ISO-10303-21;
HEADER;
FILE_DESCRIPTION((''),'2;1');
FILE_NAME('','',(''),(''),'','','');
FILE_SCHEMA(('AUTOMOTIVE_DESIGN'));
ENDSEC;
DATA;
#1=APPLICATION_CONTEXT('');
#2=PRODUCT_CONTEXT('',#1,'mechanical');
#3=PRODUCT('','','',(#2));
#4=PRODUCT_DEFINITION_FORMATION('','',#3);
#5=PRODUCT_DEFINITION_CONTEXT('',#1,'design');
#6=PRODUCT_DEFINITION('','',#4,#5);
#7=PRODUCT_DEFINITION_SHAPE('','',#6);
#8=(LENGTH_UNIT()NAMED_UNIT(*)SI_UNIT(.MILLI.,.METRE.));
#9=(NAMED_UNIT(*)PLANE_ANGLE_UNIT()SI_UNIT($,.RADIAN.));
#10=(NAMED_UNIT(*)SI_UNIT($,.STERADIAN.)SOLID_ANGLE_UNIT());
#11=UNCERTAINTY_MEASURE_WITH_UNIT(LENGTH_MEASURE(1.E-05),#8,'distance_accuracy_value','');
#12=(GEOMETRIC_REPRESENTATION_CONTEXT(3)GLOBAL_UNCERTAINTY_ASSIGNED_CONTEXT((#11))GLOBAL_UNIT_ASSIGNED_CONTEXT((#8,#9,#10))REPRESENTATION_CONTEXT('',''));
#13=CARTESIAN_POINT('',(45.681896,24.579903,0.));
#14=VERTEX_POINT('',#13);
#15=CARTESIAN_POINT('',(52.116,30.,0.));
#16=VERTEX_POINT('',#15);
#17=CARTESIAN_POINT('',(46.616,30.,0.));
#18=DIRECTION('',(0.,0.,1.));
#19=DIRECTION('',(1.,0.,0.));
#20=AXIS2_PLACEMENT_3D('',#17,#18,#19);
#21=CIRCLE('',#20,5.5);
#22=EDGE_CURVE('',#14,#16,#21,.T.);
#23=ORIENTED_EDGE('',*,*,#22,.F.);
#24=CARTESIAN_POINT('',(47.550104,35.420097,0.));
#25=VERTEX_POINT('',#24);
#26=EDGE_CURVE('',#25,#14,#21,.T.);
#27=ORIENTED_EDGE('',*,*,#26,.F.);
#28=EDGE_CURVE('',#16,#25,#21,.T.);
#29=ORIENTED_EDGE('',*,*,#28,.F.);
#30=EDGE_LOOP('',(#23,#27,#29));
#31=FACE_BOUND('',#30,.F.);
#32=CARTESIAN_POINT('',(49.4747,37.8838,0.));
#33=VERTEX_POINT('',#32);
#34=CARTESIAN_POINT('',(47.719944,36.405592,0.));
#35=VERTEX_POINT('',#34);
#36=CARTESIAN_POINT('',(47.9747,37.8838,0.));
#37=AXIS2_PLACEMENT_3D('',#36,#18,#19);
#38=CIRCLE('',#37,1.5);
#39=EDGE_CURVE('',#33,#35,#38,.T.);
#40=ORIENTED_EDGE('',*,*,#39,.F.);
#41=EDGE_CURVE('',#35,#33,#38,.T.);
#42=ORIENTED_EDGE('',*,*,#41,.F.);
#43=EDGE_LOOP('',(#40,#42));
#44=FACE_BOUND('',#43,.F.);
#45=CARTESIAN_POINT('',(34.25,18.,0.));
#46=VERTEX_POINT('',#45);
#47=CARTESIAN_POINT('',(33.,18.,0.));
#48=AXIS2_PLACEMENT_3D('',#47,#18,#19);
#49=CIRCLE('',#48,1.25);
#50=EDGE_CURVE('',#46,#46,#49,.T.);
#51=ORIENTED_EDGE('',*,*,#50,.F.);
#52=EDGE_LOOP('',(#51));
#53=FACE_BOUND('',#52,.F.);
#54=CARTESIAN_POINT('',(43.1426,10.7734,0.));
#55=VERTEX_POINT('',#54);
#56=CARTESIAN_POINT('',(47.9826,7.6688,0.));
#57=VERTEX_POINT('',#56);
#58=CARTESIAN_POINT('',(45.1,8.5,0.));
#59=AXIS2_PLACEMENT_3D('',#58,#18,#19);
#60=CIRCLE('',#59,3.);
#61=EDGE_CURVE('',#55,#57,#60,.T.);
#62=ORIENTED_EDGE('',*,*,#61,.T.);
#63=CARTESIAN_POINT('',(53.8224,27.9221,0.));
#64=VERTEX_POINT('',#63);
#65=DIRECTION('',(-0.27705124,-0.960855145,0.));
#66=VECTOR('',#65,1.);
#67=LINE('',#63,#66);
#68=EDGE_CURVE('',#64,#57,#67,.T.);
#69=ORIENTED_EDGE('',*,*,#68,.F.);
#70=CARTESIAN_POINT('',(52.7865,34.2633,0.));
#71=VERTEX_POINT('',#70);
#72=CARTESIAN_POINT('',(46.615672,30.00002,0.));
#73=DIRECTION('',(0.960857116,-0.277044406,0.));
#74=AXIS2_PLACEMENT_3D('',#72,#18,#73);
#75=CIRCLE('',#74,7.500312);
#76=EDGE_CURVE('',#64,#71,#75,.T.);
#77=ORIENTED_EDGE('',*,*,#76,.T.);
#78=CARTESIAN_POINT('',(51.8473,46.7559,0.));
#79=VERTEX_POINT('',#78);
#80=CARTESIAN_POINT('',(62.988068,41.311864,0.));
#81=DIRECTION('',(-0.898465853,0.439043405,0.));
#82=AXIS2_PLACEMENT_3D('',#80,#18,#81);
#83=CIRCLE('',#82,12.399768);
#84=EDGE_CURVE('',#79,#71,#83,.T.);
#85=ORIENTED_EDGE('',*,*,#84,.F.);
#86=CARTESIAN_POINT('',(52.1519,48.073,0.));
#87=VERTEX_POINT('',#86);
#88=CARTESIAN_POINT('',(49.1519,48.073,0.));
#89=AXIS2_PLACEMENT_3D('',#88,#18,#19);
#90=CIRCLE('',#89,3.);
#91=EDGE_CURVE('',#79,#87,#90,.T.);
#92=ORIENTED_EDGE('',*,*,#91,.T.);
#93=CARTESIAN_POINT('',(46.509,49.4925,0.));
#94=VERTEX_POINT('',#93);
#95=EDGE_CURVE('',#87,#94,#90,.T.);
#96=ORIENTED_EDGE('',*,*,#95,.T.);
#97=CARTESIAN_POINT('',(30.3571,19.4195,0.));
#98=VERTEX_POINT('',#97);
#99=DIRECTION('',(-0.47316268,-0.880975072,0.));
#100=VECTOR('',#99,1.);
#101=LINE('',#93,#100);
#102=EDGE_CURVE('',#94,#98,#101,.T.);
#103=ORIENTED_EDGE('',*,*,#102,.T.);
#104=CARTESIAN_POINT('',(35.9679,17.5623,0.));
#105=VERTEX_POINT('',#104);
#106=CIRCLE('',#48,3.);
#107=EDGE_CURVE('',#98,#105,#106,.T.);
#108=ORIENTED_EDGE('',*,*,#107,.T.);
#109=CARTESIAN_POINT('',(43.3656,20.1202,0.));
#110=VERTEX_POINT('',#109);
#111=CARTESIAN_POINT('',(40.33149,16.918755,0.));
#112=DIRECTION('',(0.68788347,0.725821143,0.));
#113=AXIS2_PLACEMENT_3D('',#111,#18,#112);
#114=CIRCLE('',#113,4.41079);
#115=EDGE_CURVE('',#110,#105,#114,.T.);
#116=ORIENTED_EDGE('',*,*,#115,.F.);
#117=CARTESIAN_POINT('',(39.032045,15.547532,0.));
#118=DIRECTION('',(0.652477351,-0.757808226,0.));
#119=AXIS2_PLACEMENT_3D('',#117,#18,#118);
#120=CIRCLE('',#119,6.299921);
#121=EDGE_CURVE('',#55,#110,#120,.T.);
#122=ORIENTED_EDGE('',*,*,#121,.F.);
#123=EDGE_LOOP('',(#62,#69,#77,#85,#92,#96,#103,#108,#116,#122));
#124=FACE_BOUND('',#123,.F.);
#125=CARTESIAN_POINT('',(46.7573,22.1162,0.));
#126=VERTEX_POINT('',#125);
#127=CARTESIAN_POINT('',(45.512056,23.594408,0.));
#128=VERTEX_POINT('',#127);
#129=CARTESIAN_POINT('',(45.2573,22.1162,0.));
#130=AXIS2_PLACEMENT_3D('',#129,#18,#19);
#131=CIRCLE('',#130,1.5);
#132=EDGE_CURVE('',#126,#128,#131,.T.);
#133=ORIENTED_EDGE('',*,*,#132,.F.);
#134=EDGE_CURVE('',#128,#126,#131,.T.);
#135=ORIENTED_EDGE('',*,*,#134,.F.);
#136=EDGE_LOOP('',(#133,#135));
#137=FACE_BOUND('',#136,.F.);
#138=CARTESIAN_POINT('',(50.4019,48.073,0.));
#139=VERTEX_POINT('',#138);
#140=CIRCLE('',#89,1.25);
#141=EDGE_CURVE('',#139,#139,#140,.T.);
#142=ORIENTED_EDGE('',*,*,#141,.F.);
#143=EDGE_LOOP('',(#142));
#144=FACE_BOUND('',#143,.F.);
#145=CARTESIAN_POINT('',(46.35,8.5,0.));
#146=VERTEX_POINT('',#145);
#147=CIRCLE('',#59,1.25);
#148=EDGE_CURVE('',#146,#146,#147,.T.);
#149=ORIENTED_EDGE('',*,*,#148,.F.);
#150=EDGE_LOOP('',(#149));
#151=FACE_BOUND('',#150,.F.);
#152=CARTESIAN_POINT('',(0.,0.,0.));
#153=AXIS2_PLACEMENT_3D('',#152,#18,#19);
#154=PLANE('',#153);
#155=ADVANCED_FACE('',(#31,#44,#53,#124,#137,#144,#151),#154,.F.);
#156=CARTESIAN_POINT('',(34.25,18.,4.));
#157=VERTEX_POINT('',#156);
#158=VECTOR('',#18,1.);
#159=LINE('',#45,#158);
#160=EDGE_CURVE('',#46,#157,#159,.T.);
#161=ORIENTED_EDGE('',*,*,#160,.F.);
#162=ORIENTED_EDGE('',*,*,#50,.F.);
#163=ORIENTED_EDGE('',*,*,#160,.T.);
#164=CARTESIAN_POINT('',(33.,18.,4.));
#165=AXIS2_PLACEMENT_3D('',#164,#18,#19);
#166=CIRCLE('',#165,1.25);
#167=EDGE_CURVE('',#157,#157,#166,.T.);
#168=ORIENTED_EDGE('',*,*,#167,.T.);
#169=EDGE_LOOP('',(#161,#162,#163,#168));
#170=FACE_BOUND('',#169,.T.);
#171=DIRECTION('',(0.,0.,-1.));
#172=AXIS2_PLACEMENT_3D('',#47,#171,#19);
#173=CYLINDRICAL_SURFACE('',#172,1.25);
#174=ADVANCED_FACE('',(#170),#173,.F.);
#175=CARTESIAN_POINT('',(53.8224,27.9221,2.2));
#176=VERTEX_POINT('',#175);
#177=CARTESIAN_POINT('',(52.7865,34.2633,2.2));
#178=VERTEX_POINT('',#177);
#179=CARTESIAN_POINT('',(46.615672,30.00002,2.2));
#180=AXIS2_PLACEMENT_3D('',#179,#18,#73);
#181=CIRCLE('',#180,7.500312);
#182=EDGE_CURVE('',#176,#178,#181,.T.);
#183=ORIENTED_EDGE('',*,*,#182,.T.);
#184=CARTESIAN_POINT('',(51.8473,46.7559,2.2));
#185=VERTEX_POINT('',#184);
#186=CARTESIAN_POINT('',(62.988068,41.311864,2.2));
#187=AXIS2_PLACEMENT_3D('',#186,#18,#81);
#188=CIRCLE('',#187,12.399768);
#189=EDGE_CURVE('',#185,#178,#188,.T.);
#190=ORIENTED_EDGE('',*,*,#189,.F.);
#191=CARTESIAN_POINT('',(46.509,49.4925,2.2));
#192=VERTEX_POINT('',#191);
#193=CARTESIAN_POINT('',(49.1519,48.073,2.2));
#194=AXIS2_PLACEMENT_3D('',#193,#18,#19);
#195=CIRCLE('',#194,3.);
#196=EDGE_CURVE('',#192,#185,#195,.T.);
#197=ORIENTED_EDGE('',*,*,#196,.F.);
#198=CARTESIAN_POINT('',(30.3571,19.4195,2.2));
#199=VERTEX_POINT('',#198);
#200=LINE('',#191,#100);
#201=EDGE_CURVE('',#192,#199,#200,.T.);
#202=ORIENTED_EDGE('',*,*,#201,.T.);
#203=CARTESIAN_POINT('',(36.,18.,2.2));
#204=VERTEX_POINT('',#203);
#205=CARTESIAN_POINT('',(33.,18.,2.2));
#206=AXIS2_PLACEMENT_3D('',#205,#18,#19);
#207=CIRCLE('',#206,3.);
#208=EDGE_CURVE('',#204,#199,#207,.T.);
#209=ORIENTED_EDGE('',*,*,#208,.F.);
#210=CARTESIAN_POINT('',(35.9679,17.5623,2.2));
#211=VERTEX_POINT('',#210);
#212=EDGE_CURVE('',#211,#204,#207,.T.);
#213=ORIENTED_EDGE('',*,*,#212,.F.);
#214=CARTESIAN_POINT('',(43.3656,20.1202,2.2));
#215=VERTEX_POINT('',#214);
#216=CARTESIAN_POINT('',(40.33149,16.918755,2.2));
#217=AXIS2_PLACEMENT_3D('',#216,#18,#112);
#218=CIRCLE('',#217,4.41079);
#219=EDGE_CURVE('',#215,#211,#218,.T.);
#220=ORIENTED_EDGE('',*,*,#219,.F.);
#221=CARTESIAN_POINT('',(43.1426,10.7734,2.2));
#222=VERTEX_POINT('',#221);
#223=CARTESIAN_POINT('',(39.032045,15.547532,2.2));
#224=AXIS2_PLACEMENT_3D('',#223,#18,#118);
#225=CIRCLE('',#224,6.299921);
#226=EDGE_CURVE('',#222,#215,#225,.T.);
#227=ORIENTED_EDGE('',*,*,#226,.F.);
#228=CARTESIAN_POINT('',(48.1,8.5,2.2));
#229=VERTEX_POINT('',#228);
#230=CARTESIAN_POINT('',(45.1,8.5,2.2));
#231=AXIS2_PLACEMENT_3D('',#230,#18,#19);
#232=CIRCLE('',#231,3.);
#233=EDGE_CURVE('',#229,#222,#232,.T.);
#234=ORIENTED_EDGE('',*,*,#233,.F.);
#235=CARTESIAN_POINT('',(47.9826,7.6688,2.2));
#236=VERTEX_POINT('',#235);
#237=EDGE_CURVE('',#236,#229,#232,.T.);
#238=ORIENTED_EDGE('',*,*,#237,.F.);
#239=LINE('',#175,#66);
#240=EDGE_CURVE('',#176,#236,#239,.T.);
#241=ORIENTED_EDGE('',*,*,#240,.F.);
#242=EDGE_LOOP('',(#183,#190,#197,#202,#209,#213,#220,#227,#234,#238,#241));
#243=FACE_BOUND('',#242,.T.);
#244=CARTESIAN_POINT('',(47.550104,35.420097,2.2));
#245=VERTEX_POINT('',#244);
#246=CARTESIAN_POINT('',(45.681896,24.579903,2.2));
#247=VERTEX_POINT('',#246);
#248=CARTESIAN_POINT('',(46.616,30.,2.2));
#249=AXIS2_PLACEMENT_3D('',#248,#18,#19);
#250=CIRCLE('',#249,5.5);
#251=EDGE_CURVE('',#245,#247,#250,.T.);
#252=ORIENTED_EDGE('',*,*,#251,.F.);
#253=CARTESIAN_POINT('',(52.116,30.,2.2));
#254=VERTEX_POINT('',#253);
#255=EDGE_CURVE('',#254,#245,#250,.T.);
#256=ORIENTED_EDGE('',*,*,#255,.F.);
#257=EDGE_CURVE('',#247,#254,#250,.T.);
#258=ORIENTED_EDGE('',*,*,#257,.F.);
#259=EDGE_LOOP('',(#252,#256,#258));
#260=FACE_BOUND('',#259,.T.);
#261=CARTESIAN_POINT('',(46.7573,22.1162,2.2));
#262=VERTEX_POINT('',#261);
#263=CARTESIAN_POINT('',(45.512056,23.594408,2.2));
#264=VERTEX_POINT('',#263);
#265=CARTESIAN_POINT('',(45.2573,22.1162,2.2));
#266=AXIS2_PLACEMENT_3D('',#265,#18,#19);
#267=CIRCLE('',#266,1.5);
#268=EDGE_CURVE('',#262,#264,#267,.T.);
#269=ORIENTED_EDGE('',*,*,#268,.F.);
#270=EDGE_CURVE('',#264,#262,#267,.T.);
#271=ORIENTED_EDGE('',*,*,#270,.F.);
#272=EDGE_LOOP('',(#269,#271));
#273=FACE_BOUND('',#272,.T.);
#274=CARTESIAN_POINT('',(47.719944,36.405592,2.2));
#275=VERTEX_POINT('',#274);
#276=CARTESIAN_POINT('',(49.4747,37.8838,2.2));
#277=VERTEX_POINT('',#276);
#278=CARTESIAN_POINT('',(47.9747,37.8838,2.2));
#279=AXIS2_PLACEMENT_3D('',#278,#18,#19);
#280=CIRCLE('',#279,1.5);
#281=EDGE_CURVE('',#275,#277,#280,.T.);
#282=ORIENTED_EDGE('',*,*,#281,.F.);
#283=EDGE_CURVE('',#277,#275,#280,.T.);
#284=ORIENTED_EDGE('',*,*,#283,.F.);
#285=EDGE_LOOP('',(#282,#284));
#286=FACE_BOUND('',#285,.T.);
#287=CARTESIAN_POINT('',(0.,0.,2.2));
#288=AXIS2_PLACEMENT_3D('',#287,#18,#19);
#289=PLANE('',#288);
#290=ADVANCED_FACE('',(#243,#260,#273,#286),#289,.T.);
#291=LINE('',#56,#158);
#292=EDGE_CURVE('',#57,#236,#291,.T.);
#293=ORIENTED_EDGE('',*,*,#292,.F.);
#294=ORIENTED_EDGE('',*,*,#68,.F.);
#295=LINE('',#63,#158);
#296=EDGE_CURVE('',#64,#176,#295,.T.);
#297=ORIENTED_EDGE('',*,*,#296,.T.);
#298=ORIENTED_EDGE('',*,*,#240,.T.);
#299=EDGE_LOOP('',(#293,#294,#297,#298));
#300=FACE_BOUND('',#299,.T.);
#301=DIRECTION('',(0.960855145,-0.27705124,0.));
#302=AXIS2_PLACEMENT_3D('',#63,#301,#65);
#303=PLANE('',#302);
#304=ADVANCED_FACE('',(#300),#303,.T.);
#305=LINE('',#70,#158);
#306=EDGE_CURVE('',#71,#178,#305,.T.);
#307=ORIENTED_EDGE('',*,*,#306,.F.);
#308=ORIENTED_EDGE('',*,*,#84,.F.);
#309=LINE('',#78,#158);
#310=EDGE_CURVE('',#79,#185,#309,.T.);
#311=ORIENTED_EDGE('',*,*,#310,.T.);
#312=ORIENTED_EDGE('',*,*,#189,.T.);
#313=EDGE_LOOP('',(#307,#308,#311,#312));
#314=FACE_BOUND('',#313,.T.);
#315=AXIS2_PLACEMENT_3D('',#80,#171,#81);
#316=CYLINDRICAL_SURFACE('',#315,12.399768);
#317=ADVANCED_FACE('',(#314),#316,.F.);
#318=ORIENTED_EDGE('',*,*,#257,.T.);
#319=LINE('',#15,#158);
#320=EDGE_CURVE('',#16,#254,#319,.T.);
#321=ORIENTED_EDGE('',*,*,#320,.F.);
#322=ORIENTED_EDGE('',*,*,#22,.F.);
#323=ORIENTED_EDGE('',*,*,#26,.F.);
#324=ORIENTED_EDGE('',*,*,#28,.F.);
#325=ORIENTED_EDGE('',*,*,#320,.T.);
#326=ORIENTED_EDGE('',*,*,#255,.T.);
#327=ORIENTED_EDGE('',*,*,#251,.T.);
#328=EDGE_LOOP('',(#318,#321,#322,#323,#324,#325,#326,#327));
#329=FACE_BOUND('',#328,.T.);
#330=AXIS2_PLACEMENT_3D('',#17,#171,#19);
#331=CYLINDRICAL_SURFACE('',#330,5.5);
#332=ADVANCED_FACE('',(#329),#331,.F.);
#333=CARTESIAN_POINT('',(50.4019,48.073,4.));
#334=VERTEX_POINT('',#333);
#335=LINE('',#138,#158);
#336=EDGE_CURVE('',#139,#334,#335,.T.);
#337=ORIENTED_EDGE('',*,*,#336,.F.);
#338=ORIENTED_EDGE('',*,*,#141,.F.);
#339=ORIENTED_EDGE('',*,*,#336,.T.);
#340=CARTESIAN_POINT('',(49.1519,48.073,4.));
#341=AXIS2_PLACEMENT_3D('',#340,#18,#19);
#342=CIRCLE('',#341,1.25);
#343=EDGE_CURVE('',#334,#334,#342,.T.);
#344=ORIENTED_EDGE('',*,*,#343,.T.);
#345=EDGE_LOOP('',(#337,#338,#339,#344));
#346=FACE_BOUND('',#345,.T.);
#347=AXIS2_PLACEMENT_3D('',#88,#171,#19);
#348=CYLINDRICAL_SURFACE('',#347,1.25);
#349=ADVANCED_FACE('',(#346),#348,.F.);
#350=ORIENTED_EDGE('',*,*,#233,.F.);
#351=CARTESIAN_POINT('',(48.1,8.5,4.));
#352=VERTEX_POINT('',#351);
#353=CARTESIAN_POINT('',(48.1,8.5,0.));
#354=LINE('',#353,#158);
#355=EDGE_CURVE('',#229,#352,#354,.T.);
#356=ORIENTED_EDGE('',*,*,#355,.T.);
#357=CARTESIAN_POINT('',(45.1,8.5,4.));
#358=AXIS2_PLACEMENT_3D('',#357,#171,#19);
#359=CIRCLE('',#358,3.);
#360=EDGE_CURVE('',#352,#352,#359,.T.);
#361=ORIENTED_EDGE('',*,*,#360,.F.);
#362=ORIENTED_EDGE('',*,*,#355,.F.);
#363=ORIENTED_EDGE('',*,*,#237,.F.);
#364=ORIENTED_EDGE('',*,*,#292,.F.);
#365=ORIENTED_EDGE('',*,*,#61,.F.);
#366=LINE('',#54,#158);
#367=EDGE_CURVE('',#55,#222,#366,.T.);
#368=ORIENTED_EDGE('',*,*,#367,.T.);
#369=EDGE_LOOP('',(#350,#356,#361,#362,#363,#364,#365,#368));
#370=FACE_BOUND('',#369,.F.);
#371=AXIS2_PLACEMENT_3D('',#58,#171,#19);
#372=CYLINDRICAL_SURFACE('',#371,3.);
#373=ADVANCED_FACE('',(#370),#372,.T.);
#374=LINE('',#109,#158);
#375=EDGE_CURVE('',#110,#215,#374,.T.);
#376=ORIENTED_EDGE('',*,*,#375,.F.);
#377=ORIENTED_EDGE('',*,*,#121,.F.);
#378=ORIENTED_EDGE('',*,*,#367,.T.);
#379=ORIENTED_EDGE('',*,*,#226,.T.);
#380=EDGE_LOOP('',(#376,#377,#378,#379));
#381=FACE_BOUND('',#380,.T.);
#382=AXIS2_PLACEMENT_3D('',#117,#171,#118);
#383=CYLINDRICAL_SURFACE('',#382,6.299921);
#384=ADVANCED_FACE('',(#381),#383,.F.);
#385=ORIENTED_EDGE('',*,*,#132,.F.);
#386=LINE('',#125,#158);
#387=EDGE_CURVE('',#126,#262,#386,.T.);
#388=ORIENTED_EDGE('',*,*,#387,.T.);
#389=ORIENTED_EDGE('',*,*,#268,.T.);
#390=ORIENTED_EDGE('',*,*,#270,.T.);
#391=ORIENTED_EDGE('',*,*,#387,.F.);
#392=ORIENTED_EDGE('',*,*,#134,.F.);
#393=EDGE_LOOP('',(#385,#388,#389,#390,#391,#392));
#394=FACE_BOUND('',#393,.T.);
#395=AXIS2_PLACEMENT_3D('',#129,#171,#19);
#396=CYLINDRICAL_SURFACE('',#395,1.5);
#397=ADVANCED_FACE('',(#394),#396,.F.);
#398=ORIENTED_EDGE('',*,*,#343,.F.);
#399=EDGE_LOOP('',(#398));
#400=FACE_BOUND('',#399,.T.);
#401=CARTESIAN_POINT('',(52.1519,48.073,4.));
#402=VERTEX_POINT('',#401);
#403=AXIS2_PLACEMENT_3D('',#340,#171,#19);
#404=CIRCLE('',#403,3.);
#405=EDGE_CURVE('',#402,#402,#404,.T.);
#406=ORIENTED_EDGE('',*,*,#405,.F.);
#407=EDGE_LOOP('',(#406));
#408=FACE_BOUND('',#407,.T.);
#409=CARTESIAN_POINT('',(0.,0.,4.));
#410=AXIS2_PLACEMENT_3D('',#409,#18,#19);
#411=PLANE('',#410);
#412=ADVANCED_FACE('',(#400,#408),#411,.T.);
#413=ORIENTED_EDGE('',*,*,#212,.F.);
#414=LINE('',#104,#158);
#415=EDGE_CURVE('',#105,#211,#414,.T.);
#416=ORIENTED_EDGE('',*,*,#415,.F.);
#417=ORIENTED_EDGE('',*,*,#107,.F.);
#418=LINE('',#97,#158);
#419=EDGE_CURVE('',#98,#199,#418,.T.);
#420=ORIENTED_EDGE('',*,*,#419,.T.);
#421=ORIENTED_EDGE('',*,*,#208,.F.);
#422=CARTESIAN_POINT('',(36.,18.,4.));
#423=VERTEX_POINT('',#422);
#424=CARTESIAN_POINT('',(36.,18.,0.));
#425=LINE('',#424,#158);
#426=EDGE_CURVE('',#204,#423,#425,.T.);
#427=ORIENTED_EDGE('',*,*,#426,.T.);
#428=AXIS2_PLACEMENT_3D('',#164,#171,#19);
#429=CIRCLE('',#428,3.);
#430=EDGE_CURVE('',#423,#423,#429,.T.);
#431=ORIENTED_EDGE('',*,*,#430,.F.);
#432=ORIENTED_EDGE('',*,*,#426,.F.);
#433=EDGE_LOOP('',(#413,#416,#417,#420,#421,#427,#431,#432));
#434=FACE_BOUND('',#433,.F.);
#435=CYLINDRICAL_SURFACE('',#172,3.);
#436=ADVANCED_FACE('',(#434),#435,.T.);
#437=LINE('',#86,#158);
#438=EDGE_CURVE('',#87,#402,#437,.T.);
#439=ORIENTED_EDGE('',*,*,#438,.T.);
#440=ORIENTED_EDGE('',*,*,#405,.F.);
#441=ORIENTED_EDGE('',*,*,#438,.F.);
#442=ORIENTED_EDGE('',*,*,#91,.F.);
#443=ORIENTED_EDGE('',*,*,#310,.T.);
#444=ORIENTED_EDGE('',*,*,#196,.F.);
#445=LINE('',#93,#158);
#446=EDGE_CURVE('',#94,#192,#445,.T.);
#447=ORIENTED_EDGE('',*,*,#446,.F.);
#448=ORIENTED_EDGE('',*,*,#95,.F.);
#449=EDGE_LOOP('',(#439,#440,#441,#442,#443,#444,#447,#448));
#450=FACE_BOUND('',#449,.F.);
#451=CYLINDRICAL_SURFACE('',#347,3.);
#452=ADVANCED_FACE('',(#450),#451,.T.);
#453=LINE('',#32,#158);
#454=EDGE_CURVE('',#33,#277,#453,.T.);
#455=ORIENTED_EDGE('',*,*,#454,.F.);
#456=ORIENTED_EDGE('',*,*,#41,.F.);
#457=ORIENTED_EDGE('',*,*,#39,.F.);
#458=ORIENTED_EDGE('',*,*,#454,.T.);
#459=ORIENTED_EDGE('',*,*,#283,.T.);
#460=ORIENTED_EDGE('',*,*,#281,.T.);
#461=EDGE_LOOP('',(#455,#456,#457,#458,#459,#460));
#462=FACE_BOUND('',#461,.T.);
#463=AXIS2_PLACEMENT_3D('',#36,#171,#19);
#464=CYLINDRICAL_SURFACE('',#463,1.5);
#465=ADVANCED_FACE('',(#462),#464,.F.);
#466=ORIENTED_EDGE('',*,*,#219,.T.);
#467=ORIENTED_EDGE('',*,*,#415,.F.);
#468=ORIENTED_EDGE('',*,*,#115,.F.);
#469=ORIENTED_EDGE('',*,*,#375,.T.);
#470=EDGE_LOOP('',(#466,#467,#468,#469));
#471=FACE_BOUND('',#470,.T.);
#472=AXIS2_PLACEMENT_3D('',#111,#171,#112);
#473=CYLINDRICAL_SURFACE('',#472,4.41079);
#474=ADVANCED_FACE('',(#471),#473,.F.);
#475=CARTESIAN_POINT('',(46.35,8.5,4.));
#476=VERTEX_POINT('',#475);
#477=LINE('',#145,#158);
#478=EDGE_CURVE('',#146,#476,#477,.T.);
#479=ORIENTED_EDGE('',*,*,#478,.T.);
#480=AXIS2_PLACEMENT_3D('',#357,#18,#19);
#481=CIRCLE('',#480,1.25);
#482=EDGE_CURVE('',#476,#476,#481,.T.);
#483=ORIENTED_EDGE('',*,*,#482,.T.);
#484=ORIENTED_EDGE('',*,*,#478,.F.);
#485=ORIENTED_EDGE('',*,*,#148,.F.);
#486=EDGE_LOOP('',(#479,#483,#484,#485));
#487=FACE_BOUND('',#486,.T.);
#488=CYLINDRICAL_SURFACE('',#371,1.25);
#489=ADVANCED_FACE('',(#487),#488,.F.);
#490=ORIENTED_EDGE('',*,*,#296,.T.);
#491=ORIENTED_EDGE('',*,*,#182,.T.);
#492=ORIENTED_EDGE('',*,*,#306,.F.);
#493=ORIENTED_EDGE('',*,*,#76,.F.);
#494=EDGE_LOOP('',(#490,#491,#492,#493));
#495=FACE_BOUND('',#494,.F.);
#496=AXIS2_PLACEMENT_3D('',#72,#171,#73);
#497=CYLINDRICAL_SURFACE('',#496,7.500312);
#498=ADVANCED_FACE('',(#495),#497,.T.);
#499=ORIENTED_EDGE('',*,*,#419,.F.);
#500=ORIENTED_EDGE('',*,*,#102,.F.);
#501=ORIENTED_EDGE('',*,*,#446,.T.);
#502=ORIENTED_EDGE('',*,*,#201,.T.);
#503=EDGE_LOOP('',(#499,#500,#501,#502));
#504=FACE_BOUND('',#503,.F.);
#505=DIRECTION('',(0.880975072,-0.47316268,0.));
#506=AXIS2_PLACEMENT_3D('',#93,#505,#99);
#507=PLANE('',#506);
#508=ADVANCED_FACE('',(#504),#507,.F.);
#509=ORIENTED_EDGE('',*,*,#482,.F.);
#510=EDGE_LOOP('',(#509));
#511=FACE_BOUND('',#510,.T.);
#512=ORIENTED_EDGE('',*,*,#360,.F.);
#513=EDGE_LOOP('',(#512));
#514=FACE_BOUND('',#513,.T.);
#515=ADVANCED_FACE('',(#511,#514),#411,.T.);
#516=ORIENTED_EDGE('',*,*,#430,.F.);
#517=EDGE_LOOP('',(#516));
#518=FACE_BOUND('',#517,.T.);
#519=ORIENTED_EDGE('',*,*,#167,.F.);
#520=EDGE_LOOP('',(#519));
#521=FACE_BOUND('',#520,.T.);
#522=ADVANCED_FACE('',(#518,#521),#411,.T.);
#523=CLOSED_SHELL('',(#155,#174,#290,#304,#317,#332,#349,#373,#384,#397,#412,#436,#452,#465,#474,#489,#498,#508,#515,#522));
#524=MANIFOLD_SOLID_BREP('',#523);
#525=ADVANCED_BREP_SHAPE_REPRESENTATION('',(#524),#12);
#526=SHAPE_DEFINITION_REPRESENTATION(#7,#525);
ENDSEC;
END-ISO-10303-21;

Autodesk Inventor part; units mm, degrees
ref_plane "YZ Plane" through (0, 0, 0) normal (1, 0, 0) x (0, 1, 0)
ref_plane "XZ Plane" through (0, 0, 0) normal (0, 1, 0) x (-1, 0, 0)
ref_plane "XY Plane" through (0, 0, 0) normal (0, 0, 1) x (1, 0, 0)
sketch "Sketch1" plane through (0, 0, 0) normal (0, 0, 1) x (1, 0, 0)
  circle A0 centre (46.616, 30) radius 5.5
  circle A1 centre (49.1519, 48.073) radius 1.25
  circle A2 centre (45.1, 8.5) radius 1.25
  circle A3 centre (47.9747, 37.8838) radius 1.5
  line L0 (47.9747, 37.8838) -> (46.616, 30)
  line L1 (46.616, 30) -> (45.2573, 22.1162)
  circle A4 centre (45.2573, 22.1162) radius 2.75 construction
  circle A5 centre (33, 18) radius 1.25
  arc A6 (53.8224, 27.9221) -> (52.7865, 34.2633) centre (46.616, 30) ccw
  circle A7 centre (45.2573, 22.1162) radius 1.5
  circle A8 centre (49.1519, 48.073) radius 3
  circle A9 centre (33, 18) radius 3
  circle A10 centre (45.1, 8.5) radius 3
  arc A11 (51.8473, 46.7559) -> (52.7865, 34.2633) centre (62.9884, 41.3118) ccw
  arc A12 (43.1426, 10.7734) -> (43.3656, 20.1202) centre (39.0319, 15.5476) ccw
  arc A13 (43.3656, 20.1202) -> (35.9679, 17.5623) centre (40.3315, 16.9188) ccw
  line L2 (53.8224, 27.9221) -> (47.9826, 7.6688)
  line L3 (46.509, 49.4925) -> (30.3571, 19.4195)
  circle A14 centre (47.9747, 37.8838) radius 3 construction
  point P0 (0, 0)
  point P1 (0, 0)
  dimension "d65" = 5.5
  dimension "d61" = 11
  dimension "d62" = 3
  dimension "d63" = 8
  dimension "d64" = 8
  dimension "d66" = 2
  dimension "d67" = 3
  dimension "d68" = 6
  dimension "d69" = 6
  dimension "d70" = 6
  dimension "d71" = 6.3
  dimension "d72" = 12.4
  dimension "d73" = 1.5
extrude "Extrusion5" add sketch "Sketch1" along normal blind 2.2 contours L2 A10 A12 A13 A9 L3 A8 A11 A6
extrude "Extrusion6" add sketch "Sketch1" along normal blind 4 contours A10 | A8 | A9
properties part number "モータマウント" material "Aluminum 2014-T4"
